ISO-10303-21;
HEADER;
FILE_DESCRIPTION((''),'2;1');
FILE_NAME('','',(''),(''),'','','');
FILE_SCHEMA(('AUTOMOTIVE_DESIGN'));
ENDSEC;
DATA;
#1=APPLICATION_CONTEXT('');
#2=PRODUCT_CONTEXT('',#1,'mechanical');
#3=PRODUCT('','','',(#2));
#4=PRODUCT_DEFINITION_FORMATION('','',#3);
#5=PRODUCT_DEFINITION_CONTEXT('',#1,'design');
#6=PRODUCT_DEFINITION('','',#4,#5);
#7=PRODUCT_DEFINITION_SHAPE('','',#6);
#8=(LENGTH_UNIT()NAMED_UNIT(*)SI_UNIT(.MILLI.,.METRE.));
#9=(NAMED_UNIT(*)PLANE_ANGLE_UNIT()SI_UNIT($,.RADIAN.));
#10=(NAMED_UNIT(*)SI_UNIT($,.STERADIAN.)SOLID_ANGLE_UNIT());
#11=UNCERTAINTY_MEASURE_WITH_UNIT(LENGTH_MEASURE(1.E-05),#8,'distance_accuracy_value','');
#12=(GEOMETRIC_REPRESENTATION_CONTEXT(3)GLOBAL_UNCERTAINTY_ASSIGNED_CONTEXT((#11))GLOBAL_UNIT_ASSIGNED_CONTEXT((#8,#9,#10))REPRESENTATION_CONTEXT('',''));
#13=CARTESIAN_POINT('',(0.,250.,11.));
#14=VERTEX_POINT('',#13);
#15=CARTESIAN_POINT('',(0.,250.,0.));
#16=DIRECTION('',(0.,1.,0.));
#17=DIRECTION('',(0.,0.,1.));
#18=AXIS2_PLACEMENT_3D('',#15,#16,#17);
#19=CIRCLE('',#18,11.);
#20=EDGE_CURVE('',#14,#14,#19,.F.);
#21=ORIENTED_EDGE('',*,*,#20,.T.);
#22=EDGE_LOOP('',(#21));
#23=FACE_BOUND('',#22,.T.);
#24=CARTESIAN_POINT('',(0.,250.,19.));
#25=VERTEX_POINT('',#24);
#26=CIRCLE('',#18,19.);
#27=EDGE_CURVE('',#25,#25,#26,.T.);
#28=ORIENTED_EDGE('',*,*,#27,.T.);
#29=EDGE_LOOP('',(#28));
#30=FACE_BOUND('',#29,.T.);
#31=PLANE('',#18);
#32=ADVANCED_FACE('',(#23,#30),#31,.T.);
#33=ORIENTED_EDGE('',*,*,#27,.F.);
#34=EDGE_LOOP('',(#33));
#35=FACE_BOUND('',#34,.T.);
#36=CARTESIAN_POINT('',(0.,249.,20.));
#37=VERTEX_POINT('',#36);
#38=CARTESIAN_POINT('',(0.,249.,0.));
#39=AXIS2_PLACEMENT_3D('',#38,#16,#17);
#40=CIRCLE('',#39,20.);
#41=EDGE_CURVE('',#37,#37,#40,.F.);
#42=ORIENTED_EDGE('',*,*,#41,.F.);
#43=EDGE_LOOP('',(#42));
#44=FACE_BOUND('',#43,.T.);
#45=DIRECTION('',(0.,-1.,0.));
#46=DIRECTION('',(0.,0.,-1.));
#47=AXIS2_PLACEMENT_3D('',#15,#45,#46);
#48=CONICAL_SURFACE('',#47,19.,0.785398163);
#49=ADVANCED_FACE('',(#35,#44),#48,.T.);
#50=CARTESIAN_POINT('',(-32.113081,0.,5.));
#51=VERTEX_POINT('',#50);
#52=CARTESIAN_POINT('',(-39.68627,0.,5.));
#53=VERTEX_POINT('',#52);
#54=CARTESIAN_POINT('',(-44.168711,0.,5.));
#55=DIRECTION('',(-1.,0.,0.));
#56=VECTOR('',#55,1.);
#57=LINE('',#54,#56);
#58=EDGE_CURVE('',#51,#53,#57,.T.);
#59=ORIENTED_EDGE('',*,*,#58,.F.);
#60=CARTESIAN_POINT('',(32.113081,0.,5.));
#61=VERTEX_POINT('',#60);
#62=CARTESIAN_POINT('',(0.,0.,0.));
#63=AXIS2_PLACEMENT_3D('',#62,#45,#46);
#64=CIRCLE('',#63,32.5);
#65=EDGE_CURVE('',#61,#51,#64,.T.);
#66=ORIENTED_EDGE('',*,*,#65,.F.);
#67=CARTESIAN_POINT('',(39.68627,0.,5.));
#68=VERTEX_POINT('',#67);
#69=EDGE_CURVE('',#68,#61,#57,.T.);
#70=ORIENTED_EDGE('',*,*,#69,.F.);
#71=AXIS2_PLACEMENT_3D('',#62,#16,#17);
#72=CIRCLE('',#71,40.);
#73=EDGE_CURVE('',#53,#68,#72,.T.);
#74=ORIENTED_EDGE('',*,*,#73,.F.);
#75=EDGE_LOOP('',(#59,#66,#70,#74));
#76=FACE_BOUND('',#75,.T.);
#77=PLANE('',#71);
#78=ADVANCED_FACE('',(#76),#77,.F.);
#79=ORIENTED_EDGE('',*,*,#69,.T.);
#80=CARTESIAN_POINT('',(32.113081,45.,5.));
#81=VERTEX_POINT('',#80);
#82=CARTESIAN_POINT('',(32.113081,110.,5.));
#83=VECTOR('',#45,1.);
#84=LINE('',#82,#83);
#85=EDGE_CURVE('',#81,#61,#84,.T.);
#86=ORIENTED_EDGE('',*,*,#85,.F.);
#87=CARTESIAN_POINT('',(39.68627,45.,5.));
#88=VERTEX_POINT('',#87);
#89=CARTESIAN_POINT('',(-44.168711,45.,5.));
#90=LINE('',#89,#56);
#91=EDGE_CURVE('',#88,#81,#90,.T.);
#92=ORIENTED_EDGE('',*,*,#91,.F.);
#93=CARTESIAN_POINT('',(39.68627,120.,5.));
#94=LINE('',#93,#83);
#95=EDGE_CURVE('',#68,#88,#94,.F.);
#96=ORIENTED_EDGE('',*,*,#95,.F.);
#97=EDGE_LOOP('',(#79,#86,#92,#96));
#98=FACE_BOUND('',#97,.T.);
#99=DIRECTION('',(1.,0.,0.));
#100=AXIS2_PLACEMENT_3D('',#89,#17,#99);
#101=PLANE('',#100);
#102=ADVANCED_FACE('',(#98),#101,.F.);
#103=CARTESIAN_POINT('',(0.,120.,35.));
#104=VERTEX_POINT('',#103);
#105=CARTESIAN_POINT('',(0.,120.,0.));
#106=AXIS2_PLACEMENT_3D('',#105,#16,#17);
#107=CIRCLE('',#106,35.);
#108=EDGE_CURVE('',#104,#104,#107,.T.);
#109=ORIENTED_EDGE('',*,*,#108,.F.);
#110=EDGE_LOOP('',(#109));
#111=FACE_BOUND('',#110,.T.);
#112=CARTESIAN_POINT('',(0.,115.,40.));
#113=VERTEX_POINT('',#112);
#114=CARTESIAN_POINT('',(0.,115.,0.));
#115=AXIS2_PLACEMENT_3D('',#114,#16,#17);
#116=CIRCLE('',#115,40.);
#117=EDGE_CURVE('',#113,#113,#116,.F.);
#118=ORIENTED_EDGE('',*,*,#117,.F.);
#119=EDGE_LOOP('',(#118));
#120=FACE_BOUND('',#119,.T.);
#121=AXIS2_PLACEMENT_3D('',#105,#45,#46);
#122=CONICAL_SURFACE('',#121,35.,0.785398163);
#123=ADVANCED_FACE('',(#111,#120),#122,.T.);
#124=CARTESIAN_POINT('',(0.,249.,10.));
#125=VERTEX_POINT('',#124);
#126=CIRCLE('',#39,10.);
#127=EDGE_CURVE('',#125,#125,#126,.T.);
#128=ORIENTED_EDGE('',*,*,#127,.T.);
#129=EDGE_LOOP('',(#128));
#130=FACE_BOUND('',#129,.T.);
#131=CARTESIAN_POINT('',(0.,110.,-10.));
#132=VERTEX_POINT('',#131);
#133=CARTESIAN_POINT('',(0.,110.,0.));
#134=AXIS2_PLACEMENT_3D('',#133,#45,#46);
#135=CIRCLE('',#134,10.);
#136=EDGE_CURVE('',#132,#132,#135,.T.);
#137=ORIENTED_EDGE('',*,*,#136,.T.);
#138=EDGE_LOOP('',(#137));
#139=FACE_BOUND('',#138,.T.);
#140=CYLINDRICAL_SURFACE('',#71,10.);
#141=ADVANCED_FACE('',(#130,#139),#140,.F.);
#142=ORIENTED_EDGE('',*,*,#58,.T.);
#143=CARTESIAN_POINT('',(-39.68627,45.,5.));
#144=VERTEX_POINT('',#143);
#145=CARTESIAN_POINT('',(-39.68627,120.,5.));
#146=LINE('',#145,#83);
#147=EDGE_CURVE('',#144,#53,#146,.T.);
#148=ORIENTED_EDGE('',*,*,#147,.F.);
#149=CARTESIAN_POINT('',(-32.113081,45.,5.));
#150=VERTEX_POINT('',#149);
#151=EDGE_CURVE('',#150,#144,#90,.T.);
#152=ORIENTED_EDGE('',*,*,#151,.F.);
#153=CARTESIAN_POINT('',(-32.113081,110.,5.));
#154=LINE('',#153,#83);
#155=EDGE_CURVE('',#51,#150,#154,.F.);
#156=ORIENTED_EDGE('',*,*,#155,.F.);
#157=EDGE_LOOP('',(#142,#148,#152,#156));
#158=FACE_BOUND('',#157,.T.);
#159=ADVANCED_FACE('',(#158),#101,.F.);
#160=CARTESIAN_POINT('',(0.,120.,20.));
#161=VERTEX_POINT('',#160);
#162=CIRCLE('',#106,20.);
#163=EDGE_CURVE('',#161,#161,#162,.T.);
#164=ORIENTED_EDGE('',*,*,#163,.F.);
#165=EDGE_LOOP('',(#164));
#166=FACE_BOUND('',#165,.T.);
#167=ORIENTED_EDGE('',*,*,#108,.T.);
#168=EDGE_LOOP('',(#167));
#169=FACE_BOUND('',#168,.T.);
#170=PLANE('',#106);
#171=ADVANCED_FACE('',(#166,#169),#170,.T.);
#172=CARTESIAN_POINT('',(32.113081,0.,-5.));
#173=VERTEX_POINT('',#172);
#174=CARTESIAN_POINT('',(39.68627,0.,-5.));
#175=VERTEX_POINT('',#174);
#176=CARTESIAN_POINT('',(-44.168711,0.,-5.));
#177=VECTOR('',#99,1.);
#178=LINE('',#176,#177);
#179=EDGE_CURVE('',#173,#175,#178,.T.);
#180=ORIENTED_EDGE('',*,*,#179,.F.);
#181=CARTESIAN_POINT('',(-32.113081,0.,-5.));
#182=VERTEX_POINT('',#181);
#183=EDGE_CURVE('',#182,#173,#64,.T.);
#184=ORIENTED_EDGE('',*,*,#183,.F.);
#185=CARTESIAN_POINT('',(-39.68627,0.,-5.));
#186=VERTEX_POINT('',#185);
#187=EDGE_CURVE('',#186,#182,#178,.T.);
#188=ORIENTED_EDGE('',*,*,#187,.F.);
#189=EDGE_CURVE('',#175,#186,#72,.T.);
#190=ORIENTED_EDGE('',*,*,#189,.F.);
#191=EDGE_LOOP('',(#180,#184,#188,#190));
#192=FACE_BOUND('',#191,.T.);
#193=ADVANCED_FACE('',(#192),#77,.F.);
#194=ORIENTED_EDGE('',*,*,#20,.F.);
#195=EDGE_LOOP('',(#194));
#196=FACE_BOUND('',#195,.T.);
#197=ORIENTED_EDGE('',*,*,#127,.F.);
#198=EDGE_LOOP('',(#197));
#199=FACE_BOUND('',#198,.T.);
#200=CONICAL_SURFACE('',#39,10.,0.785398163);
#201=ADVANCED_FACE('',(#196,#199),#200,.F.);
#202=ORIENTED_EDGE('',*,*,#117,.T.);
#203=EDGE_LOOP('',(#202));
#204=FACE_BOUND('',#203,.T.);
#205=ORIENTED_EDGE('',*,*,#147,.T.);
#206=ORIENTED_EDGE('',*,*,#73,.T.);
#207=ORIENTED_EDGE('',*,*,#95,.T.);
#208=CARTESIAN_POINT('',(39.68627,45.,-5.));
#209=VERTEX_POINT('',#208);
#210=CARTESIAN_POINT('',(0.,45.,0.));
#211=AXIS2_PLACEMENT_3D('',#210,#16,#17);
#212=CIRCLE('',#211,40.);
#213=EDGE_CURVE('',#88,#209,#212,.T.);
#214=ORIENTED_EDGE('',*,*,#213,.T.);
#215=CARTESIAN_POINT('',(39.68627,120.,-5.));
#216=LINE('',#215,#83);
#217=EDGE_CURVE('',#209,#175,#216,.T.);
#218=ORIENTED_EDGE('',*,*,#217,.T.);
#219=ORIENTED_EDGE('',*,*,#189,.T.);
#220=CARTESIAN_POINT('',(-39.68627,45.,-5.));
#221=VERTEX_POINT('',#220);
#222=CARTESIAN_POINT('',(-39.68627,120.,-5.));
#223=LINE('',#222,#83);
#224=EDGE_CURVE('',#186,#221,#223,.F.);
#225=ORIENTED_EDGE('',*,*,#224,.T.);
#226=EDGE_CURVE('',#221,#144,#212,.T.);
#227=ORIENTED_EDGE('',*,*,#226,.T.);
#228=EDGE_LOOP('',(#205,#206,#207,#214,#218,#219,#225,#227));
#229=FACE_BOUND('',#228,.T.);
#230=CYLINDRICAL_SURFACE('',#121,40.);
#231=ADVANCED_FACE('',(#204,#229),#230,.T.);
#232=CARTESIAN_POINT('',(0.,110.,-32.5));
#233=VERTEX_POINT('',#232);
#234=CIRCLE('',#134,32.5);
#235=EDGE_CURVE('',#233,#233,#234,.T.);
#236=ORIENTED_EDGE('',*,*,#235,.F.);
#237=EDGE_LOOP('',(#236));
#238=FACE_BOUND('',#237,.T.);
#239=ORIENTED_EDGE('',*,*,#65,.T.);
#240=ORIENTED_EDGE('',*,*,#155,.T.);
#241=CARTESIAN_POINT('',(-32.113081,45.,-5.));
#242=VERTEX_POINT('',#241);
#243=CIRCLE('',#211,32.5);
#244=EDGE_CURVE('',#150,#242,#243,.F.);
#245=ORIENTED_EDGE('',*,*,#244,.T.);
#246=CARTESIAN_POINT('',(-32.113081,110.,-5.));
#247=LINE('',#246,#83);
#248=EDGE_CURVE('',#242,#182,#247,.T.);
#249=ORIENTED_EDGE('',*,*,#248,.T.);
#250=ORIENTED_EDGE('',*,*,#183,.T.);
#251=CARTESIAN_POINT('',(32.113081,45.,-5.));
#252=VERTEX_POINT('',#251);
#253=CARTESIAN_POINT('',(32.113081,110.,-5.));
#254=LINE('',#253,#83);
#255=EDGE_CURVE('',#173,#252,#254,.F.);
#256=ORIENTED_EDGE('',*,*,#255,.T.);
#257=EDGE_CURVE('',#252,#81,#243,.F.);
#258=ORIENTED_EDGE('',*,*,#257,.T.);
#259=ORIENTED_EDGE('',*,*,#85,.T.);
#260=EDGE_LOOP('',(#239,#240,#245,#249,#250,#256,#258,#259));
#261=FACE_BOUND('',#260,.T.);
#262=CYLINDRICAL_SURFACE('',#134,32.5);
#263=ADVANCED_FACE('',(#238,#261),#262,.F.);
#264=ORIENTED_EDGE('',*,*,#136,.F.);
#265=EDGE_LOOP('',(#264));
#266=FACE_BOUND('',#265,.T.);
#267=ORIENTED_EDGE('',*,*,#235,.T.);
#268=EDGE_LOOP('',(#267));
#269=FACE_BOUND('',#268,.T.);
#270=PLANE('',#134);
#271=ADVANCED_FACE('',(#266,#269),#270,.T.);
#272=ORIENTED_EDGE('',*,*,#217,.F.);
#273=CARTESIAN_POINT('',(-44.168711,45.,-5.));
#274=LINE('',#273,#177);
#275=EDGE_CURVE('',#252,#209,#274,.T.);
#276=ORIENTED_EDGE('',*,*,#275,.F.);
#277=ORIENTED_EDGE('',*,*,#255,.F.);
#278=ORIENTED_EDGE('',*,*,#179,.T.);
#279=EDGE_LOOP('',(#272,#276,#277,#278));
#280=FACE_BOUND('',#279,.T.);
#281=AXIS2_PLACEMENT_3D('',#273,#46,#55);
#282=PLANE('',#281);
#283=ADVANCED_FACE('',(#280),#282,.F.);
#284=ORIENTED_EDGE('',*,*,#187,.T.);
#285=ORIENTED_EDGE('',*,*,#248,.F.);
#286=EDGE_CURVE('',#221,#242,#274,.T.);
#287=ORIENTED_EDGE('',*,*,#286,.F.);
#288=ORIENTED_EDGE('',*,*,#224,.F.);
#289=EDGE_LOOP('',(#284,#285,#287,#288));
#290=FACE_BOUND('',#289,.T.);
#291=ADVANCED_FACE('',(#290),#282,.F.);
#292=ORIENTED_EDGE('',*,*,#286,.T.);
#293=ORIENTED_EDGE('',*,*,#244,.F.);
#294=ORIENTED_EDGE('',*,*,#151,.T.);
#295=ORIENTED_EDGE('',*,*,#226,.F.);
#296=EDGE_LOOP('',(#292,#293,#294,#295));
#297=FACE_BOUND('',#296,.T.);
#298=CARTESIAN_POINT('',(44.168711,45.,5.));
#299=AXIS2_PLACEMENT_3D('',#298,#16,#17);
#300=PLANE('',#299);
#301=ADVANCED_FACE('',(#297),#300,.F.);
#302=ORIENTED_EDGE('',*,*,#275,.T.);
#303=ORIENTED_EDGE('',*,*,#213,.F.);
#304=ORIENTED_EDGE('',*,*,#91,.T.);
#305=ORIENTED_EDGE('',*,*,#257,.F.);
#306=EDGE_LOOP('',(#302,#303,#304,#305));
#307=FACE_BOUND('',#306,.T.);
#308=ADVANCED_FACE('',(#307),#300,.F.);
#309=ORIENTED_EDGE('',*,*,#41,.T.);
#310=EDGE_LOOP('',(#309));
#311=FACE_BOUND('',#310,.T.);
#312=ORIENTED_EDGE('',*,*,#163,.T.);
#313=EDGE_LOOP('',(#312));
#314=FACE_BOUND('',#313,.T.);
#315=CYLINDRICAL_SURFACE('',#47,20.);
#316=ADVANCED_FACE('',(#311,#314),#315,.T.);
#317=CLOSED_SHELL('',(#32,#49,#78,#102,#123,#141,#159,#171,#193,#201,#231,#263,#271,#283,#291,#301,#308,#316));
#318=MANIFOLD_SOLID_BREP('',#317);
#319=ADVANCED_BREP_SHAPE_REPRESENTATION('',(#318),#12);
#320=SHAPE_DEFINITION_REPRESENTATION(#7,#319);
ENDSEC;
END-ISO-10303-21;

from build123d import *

# Parameters (mm, degrees)
SCHIZZO1_R        = 40
ESTRUSIONE1_DEPTH = 120
SCHIZZO2_R        = 32.5
ESTRUSIONE2_DEPTH = 110
SMUSSO1_SIZE      = 5
SCHIZZO3_R        = 20
ESTRUSIONE3_DEPTH = 130
SCHIZZO4_R        = 10
ESTRUSIONE4_DEPTH = 257.32011236
SMUSSO2_SIZE      = 1
SCHIZZO5_W        = 88.337421072
SCHIZZO5_H        = 10
ESTRUSIONE5_DEPTH = 45


with BuildPart() as part:
    # Schizzo1 → Estrusione1 (new body)
    with BuildSketch(Plane(origin=(0, 0, 0), x_dir=(1, 0, 0), z_dir=(0, 1, 0))):
        with Locations(Location((0, 0, 0), (0, 0, 90))):
            Circle(SCHIZZO1_R)
    extrude(amount=ESTRUSIONE1_DEPTH)

    # Schizzo2 → Estrusione2 (cut)
    with BuildSketch(Plane.XZ):
        with Locations(Location((0, 0, 0), (0, 0, 270))):
            Circle(SCHIZZO2_R)
    extrude(amount=-ESTRUSIONE2_DEPTH, mode=Mode.SUBTRACT)

    # Smusso1
    smusso1_edges = [part.edges().sort_by_distance(p)[0] for p in [
        (0, 120, 40),
    ]]
    chamfer(smusso1_edges, length=SMUSSO1_SIZE)

    # Schizzo3 → Estrusione3 (add)
    with BuildSketch(Plane(origin=(0, 120, 0), x_dir=(1, 0, 0), z_dir=(0, 1, 0))):
        with Locations(Location((0, 0, 0), (0, 0, 270))):
            Circle(SCHIZZO3_R)
    extrude(amount=ESTRUSIONE3_DEPTH)

    # Schizzo4 → Estrusione4 (cut, through all)
    with BuildSketch(Plane(origin=(0, 250, 0), x_dir=(1, 0, 0), z_dir=(0, 1, 0))):
        with Locations(Location((0, 0, 0), (0, 0, 270))):
            Circle(SCHIZZO4_R)
    extrude(amount=-ESTRUSIONE4_DEPTH, mode=Mode.SUBTRACT)

    # Smusso2
    smusso2_edges = [part.edges().sort_by_distance(p)[0] for p in [
        (0, 250, -20),
        (0, 250, -10),
    ]]
    chamfer(smusso2_edges, length=SMUSSO2_SIZE)

    # Schizzo5 → Estrusione5 (cut)
    with BuildSketch(Plane.XZ):
        Rectangle(SCHIZZO5_W, SCHIZZO5_H)
    extrude(amount=-ESTRUSIONE5_DEPTH, mode=Mode.SUBTRACT)


solid = part.part
